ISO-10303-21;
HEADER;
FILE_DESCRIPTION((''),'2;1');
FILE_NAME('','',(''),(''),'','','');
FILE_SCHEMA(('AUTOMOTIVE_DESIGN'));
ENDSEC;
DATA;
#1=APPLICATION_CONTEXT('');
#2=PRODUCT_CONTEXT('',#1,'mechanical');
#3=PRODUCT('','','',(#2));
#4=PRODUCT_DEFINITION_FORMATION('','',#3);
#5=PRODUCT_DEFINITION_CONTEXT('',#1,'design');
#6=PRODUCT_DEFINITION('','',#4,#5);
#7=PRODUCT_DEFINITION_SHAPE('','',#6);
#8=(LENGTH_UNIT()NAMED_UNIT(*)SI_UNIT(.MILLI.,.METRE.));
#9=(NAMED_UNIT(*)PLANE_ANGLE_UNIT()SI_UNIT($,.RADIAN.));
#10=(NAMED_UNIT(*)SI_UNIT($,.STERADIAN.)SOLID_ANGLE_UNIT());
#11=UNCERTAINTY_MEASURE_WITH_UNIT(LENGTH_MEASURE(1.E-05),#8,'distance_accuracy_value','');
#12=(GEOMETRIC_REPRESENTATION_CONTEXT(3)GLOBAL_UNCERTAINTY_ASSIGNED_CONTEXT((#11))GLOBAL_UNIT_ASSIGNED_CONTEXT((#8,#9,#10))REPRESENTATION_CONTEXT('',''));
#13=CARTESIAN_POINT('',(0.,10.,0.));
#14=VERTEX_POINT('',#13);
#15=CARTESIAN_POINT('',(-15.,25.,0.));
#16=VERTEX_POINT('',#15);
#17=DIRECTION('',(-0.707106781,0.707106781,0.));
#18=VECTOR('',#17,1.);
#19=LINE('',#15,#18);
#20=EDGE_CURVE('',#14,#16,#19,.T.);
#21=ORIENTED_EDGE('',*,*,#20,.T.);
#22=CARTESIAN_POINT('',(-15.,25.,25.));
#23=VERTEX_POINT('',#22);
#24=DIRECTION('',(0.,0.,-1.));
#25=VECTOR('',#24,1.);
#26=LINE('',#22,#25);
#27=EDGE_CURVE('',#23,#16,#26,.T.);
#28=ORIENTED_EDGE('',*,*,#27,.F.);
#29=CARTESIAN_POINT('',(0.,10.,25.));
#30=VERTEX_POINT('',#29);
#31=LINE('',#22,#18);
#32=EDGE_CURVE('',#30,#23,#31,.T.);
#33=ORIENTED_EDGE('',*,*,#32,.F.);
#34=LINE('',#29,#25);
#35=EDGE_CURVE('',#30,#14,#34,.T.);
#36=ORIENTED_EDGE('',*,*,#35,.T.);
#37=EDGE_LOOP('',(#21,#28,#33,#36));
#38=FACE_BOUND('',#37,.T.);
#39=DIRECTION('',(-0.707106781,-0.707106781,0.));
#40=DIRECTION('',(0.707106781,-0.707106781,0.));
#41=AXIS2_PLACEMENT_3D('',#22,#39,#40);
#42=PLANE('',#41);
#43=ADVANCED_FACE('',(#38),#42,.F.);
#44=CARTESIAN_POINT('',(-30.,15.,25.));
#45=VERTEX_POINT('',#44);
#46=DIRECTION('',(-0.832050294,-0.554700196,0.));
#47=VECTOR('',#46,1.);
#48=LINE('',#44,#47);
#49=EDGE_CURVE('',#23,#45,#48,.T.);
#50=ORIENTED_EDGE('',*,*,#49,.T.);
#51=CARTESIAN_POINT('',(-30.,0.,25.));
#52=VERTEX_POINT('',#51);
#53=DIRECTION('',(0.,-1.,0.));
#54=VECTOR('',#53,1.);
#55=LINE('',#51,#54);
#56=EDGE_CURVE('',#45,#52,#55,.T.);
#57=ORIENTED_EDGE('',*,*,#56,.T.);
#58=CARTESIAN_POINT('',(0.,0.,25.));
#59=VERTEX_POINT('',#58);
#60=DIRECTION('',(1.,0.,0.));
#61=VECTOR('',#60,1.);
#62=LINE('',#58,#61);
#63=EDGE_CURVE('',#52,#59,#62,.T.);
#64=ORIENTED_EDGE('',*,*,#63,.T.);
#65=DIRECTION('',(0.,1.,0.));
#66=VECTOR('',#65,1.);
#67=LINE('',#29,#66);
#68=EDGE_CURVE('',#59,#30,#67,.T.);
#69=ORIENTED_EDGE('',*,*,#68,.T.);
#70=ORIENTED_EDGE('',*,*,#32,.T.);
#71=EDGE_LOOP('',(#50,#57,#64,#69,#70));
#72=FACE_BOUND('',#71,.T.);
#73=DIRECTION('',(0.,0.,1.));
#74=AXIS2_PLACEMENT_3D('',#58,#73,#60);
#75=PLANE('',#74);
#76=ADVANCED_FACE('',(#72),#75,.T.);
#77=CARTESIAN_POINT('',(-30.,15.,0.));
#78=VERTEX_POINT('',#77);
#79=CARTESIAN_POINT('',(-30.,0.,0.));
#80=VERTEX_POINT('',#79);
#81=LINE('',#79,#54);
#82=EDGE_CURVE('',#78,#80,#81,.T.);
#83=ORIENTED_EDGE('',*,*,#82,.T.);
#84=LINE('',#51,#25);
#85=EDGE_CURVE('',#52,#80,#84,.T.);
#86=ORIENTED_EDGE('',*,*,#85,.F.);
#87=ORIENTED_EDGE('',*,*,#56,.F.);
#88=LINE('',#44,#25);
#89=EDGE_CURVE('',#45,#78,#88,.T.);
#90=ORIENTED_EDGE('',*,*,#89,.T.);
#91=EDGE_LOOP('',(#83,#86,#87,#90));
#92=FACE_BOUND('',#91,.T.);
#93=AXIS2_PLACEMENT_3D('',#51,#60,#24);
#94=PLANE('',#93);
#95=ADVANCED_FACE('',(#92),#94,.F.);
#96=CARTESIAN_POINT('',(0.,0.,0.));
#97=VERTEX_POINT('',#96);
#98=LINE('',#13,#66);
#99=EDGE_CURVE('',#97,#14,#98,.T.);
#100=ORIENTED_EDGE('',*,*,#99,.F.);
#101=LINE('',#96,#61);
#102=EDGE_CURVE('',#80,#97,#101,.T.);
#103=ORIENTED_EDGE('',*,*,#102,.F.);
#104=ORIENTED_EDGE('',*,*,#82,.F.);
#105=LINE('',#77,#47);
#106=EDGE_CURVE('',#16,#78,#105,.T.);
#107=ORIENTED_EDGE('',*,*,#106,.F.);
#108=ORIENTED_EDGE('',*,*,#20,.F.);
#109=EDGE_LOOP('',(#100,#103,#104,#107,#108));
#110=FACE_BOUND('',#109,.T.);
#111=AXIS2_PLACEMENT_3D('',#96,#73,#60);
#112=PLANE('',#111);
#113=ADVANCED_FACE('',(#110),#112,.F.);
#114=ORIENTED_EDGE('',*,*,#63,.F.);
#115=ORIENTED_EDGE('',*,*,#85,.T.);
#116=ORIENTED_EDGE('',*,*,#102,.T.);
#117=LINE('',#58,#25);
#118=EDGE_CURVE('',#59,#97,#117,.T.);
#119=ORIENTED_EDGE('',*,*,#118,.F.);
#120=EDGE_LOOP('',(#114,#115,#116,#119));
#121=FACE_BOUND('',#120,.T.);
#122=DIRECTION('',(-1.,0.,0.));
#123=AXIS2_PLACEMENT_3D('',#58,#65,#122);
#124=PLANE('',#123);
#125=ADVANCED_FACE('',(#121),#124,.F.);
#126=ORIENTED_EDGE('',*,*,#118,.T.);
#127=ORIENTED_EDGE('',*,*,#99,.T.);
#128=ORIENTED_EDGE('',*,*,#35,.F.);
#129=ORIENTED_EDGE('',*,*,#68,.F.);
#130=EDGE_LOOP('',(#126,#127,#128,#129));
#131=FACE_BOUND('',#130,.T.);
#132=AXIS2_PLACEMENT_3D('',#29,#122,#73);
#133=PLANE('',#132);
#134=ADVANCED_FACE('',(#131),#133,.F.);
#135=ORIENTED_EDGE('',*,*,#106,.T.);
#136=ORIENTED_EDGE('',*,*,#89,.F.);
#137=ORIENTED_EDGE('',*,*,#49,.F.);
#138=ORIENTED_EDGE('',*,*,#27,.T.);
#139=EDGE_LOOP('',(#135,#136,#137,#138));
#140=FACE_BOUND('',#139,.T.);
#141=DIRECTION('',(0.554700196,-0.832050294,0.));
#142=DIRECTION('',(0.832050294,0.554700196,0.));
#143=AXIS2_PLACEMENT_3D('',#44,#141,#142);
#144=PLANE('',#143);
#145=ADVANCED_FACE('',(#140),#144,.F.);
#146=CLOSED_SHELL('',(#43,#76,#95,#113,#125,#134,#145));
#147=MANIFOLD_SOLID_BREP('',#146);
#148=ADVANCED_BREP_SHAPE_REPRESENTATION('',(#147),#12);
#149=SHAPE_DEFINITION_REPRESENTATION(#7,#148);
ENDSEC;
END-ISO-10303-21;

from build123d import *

# Parameters (mm, degrees)
BOSS_EXTRUDE1_DEPTH = 25


with BuildPart() as part:
    # Sketch1 → Boss-Extrude1 (new body)
    with BuildSketch(Plane.XY):
        Polygon((-30, 15), (-15, 25), (0, 10), (0, 0), (-30, 0), align=None)
    extrude(amount=BOSS_EXTRUDE1_DEPTH)


solid = part.part
